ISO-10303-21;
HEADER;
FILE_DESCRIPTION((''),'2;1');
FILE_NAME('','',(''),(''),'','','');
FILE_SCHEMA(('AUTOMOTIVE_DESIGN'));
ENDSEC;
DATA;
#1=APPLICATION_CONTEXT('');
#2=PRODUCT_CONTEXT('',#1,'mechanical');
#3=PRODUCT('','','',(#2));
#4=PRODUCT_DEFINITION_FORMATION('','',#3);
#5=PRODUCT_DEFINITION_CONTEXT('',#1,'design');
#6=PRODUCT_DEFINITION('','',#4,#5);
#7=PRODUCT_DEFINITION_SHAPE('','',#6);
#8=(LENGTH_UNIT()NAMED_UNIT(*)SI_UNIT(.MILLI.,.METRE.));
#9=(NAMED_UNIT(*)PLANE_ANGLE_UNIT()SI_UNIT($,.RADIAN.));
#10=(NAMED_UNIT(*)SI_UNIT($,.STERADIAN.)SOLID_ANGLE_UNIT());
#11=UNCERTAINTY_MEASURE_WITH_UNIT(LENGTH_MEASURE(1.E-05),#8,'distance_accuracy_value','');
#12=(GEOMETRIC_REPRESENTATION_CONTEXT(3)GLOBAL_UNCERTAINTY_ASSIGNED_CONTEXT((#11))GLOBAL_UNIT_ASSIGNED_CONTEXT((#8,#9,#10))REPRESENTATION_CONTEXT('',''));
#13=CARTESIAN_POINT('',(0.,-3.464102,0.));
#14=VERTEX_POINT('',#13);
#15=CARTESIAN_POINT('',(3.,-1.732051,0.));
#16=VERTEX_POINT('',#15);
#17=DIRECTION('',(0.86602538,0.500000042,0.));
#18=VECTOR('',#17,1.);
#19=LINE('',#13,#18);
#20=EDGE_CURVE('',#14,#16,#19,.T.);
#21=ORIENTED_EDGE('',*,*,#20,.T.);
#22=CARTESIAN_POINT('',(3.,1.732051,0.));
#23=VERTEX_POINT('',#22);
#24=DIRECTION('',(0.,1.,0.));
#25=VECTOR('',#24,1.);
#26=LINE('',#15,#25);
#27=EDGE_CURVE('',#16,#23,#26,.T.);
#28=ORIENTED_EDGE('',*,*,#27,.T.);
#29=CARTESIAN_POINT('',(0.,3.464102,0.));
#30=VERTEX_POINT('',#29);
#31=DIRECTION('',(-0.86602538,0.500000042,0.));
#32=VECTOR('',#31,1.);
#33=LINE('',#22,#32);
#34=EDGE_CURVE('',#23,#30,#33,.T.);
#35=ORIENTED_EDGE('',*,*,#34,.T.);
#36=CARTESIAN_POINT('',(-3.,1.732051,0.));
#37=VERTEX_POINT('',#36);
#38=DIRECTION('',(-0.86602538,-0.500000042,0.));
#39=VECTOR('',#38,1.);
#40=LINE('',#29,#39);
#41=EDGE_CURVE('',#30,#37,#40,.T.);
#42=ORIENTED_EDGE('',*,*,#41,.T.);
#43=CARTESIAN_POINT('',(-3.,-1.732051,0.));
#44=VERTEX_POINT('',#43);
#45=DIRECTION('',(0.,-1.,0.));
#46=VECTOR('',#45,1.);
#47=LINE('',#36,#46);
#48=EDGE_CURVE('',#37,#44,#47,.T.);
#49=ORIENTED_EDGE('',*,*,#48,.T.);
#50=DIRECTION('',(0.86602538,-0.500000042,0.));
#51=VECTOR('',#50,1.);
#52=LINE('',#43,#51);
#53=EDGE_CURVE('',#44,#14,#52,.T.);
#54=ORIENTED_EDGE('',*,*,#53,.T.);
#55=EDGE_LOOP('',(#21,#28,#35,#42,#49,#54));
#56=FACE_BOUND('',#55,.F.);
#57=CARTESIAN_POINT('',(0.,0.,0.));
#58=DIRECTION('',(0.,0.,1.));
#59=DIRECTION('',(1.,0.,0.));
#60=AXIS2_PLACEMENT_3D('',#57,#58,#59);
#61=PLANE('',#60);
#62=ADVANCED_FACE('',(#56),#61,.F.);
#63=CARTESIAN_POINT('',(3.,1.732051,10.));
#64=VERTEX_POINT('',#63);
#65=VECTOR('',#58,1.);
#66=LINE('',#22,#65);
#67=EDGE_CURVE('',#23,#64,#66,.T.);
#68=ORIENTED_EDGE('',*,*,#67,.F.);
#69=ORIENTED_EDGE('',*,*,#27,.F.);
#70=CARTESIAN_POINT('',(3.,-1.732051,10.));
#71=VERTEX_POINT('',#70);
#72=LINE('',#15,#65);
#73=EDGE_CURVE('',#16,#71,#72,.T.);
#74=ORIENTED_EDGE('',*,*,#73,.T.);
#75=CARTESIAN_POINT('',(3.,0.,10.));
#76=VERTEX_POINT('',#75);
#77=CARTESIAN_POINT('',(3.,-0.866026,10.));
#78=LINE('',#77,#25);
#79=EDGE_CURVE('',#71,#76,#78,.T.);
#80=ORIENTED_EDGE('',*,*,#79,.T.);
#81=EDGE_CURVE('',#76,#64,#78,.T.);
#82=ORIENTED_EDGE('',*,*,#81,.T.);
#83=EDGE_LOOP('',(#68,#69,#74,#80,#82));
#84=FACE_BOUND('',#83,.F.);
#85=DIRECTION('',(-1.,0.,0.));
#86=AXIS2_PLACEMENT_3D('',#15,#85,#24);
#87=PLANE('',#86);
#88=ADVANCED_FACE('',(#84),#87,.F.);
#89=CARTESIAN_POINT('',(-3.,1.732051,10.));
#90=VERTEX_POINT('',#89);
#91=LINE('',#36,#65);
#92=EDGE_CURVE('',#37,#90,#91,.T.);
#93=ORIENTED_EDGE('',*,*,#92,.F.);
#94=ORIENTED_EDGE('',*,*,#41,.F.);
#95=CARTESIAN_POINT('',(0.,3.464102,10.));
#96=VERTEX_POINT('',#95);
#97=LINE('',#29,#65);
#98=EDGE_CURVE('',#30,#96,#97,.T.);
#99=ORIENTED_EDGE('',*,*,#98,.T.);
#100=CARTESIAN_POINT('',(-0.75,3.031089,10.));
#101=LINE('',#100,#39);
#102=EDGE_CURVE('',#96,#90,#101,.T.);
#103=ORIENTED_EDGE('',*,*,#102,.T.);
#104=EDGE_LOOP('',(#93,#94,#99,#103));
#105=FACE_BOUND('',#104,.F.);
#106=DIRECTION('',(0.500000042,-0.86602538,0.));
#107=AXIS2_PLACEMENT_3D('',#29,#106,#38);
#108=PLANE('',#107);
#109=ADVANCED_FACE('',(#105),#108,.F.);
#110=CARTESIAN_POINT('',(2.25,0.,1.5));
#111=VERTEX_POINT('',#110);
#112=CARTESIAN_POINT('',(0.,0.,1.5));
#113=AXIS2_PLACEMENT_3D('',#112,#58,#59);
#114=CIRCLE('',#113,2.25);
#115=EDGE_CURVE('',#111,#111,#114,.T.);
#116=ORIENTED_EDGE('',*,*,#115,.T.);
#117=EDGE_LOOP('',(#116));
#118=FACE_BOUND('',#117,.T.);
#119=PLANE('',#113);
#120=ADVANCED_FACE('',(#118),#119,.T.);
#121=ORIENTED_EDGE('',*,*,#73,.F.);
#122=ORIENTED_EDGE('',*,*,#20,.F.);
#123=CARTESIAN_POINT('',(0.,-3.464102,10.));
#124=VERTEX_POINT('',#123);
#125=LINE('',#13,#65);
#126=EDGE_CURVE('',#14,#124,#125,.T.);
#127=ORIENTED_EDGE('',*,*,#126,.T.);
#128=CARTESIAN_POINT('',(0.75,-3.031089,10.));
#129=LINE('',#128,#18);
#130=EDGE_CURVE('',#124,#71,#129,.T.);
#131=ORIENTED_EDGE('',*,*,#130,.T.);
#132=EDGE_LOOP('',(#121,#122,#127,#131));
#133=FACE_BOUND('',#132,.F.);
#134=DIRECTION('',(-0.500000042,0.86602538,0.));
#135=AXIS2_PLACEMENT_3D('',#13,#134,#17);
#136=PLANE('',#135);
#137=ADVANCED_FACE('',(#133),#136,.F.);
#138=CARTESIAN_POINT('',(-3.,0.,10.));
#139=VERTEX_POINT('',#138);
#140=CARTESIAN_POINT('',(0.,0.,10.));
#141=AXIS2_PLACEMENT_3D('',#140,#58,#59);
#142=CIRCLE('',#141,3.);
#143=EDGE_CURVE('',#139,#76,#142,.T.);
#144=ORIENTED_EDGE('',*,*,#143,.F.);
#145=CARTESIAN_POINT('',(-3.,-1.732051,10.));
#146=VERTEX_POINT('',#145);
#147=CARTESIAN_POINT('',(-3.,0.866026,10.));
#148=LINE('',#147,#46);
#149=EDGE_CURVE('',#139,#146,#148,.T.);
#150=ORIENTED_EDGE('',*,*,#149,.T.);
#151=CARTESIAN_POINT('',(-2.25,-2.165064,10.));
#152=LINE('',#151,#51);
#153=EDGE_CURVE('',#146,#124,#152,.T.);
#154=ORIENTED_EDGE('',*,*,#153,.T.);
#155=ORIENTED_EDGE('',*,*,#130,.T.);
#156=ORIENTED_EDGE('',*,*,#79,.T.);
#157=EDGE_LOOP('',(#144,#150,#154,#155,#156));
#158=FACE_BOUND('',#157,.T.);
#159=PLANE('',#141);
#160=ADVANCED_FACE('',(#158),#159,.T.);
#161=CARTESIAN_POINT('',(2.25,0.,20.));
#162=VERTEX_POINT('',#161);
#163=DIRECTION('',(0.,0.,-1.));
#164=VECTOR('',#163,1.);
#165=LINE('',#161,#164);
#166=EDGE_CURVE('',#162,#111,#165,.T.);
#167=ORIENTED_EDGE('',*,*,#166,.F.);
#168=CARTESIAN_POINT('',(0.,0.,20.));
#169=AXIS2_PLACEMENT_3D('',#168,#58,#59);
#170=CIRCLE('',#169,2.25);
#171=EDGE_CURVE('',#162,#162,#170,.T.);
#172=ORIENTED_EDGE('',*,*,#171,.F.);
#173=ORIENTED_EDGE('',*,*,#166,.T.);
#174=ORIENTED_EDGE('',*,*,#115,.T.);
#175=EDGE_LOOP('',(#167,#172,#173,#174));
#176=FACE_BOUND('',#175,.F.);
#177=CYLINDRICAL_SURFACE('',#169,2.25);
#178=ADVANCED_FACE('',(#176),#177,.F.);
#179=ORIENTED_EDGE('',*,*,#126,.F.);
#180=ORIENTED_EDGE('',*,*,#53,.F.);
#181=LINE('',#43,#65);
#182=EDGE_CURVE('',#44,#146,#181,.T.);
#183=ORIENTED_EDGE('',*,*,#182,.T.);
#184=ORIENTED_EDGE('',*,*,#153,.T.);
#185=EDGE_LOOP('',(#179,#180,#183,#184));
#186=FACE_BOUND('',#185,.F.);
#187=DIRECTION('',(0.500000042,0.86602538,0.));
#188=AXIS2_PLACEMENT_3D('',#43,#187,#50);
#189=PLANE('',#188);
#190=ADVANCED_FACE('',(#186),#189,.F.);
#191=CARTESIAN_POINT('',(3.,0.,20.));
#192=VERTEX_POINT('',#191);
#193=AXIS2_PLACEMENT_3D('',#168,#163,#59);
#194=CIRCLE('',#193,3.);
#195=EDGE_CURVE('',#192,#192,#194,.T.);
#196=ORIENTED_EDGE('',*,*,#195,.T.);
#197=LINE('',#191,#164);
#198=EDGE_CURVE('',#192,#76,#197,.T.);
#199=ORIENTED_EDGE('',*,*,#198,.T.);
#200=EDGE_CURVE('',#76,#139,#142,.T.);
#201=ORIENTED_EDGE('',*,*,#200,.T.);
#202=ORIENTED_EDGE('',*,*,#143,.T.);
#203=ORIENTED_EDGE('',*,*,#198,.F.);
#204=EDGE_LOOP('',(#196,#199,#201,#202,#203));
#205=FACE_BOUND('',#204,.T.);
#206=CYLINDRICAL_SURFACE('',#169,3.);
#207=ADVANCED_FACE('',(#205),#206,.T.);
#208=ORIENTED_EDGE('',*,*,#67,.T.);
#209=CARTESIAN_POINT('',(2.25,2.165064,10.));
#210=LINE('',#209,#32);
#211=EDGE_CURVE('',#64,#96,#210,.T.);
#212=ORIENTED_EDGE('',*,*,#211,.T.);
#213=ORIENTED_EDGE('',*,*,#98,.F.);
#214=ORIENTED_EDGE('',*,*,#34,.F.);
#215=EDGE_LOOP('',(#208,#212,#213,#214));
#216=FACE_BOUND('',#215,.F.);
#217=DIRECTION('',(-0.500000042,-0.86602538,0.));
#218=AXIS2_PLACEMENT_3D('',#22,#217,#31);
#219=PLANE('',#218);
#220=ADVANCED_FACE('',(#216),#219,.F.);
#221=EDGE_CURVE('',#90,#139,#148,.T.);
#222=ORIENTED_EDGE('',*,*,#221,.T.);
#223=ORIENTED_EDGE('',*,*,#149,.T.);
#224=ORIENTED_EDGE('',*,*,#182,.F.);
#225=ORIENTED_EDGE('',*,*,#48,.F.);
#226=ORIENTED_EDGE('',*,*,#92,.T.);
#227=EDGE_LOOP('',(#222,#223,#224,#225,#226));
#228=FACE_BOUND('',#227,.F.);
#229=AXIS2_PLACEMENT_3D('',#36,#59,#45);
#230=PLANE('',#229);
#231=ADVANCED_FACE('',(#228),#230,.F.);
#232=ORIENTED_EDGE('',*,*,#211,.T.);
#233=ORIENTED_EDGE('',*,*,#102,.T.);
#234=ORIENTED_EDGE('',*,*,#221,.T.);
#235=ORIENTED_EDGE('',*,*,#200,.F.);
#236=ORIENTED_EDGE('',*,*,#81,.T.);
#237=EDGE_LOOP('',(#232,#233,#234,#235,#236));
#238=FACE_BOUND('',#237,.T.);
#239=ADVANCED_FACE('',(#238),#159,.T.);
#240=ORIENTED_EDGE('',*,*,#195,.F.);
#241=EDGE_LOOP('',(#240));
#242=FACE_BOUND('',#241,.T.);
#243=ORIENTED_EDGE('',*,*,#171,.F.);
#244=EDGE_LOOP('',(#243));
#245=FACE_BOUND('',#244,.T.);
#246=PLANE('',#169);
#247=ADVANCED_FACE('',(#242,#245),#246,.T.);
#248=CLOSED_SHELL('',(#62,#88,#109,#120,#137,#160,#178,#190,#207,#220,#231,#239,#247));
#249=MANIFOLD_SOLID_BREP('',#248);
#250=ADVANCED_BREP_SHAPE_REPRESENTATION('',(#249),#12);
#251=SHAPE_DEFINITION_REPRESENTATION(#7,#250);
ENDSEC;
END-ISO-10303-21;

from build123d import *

# Parameters (mm, degrees)
F1_DEPTH = 20
F2_W     = 8
F2_H     = 8
F2_R     = 3
F3_DEPTH = 10
F4_R     = 2.25
F5_DEPTH = 18.5


with BuildPart() as f1:
    # F0 (on Top) → F1 (new body)
    with BuildSketch(Plane.XY):
        Polygon((0, -3.464102), (3, -1.732051), (3, 1.732051), (0, 3.464102), (-3, 1.732051), (-3, -1.732051), align=None)
    extrude(amount=F1_DEPTH)

    # F2 (on face) → F3 (cut)
    with BuildSketch(Plane.XY.offset(20)):
        Rectangle(F2_W, F2_H)
        Circle(F2_R, mode=Mode.SUBTRACT)
    extrude(amount=-F3_DEPTH, mode=Mode.SUBTRACT)

    # F4 (on face) → F5 (cut)
    with BuildSketch(Plane.XY.offset(20)):
        Circle(F4_R)
    extrude(amount=-F5_DEPTH, mode=Mode.SUBTRACT)


solid = f1.part
